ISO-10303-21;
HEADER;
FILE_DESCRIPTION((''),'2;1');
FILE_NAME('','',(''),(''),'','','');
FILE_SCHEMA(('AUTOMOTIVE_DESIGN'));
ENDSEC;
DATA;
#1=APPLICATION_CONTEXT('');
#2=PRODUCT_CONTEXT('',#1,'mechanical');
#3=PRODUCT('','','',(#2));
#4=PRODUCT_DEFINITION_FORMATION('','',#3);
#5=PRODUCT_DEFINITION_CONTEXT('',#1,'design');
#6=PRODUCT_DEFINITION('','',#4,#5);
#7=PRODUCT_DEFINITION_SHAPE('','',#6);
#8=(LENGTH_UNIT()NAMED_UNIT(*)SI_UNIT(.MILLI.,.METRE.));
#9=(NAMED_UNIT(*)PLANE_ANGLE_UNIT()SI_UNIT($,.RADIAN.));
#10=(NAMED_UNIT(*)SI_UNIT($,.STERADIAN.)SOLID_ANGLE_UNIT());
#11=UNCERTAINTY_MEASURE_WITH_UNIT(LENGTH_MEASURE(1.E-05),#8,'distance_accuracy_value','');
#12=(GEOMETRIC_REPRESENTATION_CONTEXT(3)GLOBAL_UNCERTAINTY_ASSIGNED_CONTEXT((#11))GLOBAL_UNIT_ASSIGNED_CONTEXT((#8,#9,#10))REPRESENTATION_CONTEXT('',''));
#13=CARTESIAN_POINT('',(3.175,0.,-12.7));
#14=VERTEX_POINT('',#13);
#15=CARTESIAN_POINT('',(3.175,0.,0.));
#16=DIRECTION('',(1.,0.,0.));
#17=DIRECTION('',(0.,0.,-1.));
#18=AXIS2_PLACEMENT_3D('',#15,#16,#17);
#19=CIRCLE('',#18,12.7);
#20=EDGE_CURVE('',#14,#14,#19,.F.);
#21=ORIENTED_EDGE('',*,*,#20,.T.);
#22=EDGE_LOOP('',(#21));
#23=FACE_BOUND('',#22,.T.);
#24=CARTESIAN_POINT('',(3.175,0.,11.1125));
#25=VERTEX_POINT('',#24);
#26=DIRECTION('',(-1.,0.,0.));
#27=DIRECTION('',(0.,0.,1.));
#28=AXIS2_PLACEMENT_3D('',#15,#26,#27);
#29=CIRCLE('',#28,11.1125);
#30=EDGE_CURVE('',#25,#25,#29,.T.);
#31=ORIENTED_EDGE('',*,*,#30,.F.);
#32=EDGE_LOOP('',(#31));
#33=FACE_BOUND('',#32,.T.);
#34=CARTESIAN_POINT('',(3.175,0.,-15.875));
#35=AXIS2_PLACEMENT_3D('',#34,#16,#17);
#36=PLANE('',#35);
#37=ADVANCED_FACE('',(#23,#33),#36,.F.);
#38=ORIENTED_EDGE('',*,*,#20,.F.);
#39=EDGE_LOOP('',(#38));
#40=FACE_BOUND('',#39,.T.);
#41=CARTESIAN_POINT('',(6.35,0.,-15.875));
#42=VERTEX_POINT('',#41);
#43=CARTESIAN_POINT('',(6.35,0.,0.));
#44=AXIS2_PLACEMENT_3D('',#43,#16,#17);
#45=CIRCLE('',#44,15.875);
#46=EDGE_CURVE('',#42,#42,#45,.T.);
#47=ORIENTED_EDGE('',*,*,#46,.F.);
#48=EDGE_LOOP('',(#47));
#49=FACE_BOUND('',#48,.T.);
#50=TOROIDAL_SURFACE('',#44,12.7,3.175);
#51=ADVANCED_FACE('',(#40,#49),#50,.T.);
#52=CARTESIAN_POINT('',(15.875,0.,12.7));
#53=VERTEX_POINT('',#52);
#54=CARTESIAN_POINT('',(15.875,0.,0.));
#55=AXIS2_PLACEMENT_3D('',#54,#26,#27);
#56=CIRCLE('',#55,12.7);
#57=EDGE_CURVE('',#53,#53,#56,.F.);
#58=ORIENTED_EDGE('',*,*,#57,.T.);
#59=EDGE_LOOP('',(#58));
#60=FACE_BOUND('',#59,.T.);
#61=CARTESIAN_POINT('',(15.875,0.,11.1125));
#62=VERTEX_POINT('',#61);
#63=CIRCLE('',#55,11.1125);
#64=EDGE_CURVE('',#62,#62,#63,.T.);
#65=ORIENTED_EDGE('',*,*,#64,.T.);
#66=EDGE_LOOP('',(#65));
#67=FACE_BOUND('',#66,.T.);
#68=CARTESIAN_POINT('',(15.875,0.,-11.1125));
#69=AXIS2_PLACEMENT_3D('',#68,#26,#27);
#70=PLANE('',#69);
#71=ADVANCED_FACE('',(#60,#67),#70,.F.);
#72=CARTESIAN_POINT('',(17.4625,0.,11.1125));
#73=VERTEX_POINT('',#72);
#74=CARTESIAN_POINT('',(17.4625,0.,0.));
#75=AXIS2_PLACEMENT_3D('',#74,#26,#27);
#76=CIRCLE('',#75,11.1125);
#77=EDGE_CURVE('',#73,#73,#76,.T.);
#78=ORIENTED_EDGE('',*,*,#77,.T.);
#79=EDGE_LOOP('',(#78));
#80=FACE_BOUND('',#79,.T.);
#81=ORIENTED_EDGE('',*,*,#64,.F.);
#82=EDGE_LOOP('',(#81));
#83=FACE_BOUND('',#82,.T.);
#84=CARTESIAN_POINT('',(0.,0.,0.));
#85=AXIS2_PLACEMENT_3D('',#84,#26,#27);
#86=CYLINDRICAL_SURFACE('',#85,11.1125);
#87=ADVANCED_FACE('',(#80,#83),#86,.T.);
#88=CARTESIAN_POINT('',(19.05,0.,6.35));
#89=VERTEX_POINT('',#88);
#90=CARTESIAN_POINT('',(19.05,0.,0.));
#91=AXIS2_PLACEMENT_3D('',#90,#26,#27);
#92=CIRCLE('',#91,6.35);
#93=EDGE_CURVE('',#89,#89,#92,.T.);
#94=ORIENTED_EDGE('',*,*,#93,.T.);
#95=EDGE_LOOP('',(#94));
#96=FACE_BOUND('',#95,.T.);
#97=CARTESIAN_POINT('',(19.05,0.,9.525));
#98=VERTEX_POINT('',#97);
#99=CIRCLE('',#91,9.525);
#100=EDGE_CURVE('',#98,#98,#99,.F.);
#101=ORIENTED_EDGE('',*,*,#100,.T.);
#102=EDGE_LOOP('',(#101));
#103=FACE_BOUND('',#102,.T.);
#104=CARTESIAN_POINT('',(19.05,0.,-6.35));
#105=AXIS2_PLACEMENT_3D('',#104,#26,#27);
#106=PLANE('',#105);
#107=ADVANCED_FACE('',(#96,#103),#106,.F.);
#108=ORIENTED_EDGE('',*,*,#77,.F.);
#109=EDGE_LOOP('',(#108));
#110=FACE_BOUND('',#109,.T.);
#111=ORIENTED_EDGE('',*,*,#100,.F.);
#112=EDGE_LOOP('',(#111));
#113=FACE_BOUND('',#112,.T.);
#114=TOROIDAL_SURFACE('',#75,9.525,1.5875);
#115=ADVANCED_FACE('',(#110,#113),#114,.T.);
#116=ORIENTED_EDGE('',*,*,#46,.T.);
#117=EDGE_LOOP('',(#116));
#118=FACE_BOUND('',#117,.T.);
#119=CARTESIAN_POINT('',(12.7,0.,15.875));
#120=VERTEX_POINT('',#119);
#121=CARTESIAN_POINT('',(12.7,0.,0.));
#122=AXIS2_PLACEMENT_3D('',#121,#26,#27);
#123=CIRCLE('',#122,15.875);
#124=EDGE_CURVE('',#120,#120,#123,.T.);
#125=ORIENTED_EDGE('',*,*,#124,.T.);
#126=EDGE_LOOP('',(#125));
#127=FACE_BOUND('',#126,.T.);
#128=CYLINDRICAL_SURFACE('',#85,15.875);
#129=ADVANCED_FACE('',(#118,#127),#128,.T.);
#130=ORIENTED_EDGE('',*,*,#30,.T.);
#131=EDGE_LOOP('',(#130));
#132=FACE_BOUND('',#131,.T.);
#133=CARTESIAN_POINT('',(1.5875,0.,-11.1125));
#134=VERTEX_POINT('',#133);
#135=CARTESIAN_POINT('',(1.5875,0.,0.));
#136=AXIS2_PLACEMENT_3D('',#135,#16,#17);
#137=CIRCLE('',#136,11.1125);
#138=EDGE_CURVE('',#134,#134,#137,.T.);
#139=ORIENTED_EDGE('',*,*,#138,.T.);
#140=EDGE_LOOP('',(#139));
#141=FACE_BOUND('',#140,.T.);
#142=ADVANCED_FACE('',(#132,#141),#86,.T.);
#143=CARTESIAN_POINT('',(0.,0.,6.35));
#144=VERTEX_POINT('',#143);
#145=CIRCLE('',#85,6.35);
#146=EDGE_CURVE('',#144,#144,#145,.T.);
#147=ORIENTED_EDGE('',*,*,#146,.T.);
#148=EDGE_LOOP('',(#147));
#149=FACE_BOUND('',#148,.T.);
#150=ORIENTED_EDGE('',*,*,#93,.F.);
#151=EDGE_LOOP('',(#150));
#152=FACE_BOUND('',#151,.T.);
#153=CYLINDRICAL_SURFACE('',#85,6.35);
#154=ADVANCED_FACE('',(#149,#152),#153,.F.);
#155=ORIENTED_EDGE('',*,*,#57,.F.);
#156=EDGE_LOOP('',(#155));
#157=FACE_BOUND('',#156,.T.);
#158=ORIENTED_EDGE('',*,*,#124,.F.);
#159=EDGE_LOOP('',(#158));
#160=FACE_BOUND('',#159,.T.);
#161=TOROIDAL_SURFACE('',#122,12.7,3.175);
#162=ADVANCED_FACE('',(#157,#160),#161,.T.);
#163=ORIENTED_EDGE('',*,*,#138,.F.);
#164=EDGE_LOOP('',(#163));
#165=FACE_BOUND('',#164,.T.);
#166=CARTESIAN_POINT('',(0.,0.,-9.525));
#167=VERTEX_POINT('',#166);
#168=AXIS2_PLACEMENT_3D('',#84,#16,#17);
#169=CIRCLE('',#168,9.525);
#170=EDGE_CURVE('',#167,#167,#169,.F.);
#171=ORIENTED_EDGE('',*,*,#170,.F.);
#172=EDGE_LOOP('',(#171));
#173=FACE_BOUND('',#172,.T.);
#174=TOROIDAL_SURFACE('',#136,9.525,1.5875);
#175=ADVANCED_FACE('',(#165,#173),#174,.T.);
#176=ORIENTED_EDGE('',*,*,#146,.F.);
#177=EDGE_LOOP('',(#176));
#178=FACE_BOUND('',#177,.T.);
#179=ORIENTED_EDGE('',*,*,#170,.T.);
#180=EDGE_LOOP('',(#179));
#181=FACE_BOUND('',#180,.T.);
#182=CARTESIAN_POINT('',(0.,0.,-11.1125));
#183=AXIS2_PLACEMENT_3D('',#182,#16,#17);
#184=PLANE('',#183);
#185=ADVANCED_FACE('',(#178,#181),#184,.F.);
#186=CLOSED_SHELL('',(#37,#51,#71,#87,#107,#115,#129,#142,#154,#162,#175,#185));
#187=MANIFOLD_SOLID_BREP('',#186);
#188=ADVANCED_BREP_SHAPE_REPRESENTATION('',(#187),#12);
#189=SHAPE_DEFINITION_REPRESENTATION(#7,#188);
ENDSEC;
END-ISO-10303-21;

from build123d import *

# Parameters (mm, degrees)
FILLET2_R = 3.175
FILLET3_R = 1.5875


with BuildPart() as part:
    # Sketch2 → Revolve1 (revolve)
    with BuildSketch(Plane(origin=(0, 0, 0), x_dir=(1, 0, 0), z_dir=(0, 1, 0)), mode=Mode.PRIVATE) as revolve1_sk:
        Polygon((0, 6.35), (19.05, 6.35), (19.05, 11.1125), (15.875, 11.1125), (15.875, 15.875), (3.175, 15.875), (3.175, 11.1125), (0, 11.1125), align=None)
    revolve(revolve1_sk.sketch.rotate(Axis((0, 0, 0), (1, 0, 0)), 180), axis=Axis((0, 0, 0), (1, 0, 0)))

    # Fillet2
    fillet2_edges = [part.edges().sort_by_distance(p)[0] for p in [
        (15.875, 0, -15.875),
        (3.175, 0, -15.875),
    ]]
    fillet(fillet2_edges, radius=FILLET2_R)

    # Fillet3
    fillet3_edges = [part.edges().sort_by_distance(p)[0] for p in [
        (19.05, 0, -11.1125),
        (0, 0, -11.1125),
    ]]
    fillet(fillet3_edges, radius=FILLET3_R)


solid = part.part
